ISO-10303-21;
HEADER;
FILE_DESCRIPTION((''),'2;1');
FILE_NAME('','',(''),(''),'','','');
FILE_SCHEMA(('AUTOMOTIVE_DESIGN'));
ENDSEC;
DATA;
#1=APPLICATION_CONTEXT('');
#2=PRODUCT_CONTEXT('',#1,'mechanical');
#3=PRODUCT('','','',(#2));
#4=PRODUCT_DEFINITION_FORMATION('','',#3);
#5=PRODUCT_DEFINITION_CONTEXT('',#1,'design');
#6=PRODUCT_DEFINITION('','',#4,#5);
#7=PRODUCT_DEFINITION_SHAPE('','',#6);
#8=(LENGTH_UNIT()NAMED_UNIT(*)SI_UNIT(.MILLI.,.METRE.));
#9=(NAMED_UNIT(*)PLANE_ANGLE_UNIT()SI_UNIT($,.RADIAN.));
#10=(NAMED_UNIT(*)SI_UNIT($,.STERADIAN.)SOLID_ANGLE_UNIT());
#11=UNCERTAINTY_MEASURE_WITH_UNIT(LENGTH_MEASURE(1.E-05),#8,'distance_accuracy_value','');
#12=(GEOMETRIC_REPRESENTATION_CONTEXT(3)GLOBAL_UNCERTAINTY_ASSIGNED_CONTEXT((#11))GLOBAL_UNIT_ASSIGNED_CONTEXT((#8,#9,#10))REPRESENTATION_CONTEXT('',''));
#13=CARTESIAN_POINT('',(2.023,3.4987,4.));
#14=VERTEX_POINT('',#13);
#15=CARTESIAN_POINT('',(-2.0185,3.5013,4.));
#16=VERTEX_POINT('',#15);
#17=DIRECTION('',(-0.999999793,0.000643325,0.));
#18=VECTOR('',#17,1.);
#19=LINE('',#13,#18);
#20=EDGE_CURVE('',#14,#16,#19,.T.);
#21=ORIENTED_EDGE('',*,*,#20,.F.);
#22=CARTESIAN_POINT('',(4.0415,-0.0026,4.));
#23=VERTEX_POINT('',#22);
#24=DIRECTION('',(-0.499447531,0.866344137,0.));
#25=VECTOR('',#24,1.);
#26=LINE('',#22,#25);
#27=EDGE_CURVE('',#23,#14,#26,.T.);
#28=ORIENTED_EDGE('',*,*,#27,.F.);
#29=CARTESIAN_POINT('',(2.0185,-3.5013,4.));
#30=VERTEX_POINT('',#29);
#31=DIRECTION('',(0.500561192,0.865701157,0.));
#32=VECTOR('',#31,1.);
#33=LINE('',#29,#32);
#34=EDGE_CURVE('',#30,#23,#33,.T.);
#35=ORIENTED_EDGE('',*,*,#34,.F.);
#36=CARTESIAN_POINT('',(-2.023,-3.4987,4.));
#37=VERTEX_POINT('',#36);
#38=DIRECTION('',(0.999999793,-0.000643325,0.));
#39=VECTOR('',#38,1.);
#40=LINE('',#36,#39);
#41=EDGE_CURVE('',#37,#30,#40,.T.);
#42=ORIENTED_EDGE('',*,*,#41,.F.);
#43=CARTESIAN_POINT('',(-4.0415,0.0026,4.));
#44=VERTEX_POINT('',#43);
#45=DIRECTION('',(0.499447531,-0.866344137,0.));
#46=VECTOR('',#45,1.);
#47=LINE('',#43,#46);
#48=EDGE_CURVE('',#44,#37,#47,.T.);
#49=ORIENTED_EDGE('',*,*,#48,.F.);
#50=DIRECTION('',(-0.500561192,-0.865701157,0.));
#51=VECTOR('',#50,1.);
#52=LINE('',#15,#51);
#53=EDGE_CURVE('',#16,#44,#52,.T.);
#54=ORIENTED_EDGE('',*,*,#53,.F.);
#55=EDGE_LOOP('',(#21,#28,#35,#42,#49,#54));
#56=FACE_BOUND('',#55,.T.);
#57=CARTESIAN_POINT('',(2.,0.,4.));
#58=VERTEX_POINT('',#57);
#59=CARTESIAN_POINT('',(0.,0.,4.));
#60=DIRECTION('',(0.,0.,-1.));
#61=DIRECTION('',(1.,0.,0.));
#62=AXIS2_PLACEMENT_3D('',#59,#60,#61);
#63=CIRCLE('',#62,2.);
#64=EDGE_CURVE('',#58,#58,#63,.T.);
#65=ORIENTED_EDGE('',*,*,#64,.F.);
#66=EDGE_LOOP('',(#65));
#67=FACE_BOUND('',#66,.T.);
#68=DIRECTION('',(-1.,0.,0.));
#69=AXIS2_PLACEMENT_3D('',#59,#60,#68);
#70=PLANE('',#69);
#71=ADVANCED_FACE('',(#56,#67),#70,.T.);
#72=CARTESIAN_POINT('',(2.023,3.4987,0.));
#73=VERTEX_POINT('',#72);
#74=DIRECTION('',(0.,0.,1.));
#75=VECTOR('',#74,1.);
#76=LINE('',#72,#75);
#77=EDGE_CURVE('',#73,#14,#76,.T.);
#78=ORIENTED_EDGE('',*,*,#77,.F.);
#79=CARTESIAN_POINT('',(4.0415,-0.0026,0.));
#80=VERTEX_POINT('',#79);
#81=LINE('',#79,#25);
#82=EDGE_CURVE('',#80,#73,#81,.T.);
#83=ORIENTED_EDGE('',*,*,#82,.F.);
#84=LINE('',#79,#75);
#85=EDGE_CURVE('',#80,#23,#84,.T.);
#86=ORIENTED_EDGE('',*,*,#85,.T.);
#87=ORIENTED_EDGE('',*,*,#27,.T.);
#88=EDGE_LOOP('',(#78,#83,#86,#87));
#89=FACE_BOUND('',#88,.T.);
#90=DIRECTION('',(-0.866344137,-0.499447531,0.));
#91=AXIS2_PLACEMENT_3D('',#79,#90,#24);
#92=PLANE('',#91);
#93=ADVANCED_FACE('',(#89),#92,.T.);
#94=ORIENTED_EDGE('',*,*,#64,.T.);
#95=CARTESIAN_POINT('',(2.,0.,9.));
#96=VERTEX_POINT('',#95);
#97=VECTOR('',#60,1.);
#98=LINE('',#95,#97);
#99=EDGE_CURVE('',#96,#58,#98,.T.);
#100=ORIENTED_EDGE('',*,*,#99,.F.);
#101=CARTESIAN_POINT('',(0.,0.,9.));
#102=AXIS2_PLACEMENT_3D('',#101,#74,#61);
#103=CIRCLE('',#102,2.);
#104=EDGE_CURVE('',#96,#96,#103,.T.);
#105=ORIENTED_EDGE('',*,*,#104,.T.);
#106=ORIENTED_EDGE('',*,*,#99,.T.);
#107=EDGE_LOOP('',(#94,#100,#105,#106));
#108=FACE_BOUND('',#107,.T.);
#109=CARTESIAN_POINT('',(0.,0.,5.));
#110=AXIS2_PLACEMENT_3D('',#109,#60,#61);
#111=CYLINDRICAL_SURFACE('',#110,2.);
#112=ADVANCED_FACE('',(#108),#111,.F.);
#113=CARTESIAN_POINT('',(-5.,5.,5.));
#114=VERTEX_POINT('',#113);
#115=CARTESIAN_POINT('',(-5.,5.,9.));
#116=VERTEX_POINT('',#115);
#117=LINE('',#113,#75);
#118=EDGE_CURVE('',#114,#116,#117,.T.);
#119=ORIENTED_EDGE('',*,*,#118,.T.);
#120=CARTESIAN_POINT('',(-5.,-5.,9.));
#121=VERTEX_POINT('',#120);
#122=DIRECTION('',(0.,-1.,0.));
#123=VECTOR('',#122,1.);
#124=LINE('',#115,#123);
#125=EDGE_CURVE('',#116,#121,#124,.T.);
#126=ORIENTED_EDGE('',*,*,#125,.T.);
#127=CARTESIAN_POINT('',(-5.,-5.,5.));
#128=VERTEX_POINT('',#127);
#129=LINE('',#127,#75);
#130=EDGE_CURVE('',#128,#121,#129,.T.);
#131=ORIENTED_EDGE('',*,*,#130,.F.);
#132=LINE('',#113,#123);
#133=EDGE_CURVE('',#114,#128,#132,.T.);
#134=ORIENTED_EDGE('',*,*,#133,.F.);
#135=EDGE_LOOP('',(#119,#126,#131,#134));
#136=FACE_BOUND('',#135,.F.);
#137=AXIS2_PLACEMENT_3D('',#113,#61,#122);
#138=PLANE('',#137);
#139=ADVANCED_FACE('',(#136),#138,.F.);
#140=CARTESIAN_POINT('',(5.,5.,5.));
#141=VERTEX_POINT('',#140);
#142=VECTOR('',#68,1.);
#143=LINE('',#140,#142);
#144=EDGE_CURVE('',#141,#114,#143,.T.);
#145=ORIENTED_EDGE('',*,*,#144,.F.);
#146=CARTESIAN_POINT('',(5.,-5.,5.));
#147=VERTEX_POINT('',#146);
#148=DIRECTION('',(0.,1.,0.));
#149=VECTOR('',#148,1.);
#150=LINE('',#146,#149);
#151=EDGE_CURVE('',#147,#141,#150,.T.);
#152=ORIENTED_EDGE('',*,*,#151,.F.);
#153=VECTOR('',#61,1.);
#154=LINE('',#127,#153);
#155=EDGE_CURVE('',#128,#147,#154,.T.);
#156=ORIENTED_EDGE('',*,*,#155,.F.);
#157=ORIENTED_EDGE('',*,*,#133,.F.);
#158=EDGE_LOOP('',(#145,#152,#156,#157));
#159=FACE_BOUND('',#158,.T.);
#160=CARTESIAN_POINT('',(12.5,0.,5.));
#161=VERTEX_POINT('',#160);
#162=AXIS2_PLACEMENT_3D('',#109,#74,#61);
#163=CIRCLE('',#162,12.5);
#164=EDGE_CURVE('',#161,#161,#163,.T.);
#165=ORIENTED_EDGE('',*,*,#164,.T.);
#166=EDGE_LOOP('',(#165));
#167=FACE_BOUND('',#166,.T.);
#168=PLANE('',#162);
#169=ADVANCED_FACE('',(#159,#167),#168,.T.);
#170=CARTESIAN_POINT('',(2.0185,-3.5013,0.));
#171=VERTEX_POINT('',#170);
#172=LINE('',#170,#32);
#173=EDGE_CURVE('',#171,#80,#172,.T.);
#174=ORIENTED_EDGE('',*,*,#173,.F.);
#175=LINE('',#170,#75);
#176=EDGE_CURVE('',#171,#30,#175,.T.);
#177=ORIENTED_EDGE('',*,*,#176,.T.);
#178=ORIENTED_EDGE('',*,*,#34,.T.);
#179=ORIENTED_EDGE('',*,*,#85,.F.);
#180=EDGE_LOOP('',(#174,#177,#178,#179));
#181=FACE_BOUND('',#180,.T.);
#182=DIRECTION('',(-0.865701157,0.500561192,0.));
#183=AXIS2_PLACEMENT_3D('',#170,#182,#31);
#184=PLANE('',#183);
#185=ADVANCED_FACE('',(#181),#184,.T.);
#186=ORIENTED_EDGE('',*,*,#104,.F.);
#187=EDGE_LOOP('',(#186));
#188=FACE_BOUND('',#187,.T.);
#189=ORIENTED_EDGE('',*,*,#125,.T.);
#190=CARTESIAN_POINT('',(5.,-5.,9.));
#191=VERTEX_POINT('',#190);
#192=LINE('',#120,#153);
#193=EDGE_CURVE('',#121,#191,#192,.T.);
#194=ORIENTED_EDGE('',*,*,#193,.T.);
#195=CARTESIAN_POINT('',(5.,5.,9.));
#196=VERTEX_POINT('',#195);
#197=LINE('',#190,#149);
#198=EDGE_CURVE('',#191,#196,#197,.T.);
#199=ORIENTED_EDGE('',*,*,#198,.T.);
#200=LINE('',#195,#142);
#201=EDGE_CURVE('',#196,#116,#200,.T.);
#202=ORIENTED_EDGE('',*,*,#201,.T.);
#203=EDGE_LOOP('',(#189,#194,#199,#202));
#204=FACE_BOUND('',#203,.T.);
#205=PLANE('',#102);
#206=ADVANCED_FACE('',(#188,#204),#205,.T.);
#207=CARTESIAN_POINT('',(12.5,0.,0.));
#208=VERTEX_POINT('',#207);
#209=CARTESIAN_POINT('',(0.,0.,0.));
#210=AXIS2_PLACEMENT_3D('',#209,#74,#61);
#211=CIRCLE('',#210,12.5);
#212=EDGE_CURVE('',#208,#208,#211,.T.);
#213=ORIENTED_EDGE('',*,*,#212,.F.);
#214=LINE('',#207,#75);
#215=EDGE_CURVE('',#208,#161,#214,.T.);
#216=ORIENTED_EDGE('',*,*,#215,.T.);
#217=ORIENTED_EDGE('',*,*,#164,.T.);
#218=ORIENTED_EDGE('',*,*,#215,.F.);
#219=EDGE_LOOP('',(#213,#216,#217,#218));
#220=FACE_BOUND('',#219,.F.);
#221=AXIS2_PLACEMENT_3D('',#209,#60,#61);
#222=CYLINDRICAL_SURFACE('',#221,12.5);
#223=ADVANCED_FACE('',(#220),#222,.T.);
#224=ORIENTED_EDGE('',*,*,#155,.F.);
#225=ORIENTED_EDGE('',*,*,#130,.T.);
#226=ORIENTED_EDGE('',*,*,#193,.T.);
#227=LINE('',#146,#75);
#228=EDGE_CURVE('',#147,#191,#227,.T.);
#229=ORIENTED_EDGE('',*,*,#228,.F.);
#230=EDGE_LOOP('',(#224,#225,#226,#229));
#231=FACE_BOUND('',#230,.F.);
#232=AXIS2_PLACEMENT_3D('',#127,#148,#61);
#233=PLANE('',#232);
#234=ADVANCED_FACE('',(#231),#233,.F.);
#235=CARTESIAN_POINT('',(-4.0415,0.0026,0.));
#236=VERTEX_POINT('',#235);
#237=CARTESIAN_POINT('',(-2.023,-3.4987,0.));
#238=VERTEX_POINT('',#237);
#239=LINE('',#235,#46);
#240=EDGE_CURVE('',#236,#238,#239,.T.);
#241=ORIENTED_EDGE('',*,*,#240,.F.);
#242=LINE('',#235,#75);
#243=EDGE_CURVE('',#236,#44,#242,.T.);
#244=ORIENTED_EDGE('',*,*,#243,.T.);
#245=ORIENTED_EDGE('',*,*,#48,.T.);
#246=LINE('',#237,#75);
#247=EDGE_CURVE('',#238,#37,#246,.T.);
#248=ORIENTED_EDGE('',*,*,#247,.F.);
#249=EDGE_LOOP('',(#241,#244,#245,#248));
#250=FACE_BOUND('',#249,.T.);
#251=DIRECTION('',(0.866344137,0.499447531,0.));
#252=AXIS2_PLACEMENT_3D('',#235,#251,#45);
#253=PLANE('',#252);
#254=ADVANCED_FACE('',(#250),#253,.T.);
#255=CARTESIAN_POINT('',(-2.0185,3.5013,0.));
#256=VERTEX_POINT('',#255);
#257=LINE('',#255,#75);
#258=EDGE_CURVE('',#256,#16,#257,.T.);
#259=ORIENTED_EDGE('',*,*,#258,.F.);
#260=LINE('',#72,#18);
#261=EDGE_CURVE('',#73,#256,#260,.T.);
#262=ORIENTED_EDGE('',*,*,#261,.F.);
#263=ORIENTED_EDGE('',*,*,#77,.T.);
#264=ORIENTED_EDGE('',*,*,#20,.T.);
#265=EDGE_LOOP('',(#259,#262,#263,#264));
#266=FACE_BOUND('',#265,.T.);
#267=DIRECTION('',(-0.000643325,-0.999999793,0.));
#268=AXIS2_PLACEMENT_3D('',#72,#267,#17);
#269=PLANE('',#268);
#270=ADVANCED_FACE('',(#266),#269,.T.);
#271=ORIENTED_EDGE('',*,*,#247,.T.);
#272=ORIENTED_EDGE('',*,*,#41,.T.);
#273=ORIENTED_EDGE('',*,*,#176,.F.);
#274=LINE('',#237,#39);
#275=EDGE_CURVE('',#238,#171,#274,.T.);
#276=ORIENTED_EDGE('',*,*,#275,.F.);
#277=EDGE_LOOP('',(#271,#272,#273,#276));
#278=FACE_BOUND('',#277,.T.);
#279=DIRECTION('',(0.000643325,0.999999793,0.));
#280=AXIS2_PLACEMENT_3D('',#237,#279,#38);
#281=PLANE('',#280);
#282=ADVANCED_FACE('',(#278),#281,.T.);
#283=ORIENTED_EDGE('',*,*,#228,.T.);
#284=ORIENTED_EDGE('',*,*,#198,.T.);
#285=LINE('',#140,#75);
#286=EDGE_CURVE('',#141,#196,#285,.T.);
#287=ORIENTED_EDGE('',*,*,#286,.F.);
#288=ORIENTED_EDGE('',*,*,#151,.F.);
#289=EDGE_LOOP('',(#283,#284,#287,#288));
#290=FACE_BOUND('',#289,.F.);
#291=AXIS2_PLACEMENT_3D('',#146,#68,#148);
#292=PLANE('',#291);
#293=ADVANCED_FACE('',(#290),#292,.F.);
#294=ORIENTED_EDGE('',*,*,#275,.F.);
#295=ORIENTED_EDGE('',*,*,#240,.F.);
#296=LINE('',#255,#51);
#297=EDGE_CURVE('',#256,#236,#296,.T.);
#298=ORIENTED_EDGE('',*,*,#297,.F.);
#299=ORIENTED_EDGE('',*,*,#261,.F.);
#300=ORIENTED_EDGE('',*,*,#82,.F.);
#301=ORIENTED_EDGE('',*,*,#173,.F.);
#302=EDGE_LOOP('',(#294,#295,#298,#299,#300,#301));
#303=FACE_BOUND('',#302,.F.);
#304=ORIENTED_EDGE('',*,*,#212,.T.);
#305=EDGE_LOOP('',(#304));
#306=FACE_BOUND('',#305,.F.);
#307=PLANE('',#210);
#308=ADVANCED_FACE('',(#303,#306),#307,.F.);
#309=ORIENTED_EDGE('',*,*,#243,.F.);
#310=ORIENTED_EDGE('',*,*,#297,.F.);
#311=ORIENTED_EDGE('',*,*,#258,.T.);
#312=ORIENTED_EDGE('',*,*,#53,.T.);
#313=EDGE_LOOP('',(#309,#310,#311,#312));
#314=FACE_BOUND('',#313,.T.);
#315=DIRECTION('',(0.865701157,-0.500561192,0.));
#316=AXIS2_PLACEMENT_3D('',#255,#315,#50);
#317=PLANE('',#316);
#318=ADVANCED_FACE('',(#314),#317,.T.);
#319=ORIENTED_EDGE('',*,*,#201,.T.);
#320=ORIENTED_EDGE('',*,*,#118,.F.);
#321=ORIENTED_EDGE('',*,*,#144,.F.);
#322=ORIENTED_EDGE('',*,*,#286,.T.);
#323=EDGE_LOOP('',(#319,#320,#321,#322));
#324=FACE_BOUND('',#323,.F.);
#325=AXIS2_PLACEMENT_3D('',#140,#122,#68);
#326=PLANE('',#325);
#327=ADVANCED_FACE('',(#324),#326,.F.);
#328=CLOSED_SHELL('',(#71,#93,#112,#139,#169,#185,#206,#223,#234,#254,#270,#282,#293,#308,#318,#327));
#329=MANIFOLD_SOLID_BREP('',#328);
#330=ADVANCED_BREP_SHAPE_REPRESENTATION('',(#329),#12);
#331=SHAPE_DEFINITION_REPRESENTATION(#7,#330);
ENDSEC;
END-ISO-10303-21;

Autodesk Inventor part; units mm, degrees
ref_plane "YZ Plane" through (0, 0, 0) normal (1, 0, 0) x (0, 1, 0)
ref_plane "XZ Plane" through (0, 0, 0) normal (0, 1, 0) x (-1, 0, 0)
ref_plane "XY Plane" through (0, 0, 0) normal (0, 0, 1) x (1, 0, 0)
sketch "Sketch1" plane through (0, 0, 0) normal (0, 0, 1) x (1, 0, 0)
  circle A0 centre (0, 0) radius 12.5
  dimension "d0" = 25
extrude "Extrusion1" add sketch "Sketch1" along normal blind 5
sketch "Sketch2" plane through (0, 0, 5) normal (0, 0, 1) x (1, 0, 0)
  circle A0 centre (0, 0) radius 12.5 projected
  circle A1 centre (0, 0) radius 2
  dimension "d4" = 4
extrude "Extrusion2" cut sketch "Sketch2" against normal blind 5 contours A1
sketch "Sketch3" plane through (0, 0, 5) normal (0, 0, 1) x (1, 0, 0)
  circle A0 centre (0, 0) radius 2 projected
  line L0 (-5, -5) -> (5, -5)
  line L1 (5, -5) -> (5, 5)
  line L2 (5, 5) -> (-5, 5)
  line L3 (-5, 5) -> (-5, -5)
  dimension "d8" = 10
  dimension "d10" = 10
  dimension "d11" = 5
  dimension "d12" = 5
extrude "Extrusion3" add sketch "Sketch3" along normal blind 4
sketch "Sketch4" plane through (0, 0, 0) normal (0, 0, -1) x (-1, 0, 0)
  circle A0 centre (0, 0) radius 2 projected
  circle A1 centre (0, 0) radius 12.5 projected
  line L0 (-2.023, 3.4987) -> (2.0185, 3.5013)
  line L1 (2.0185, 3.5013) -> (4.0415, 0.0026)
  line L2 (4.0415, 0.0026) -> (2.023, -3.4987)
  line L3 (2.023, -3.4987) -> (-2.0185, -3.5013)
  line L4 (-2.0185, -3.5013) -> (-4.0415, -0.0026)
  line L5 (-4.0415, -0.0026) -> (-2.023, 3.4987)
  dimension "d15" = 7
extrude "Extrusion4" cut sketch "Sketch4" against normal blind 4 contours L0 L1 L2 L3 L4 L5
properties part number "Tension Push washer backplate"
